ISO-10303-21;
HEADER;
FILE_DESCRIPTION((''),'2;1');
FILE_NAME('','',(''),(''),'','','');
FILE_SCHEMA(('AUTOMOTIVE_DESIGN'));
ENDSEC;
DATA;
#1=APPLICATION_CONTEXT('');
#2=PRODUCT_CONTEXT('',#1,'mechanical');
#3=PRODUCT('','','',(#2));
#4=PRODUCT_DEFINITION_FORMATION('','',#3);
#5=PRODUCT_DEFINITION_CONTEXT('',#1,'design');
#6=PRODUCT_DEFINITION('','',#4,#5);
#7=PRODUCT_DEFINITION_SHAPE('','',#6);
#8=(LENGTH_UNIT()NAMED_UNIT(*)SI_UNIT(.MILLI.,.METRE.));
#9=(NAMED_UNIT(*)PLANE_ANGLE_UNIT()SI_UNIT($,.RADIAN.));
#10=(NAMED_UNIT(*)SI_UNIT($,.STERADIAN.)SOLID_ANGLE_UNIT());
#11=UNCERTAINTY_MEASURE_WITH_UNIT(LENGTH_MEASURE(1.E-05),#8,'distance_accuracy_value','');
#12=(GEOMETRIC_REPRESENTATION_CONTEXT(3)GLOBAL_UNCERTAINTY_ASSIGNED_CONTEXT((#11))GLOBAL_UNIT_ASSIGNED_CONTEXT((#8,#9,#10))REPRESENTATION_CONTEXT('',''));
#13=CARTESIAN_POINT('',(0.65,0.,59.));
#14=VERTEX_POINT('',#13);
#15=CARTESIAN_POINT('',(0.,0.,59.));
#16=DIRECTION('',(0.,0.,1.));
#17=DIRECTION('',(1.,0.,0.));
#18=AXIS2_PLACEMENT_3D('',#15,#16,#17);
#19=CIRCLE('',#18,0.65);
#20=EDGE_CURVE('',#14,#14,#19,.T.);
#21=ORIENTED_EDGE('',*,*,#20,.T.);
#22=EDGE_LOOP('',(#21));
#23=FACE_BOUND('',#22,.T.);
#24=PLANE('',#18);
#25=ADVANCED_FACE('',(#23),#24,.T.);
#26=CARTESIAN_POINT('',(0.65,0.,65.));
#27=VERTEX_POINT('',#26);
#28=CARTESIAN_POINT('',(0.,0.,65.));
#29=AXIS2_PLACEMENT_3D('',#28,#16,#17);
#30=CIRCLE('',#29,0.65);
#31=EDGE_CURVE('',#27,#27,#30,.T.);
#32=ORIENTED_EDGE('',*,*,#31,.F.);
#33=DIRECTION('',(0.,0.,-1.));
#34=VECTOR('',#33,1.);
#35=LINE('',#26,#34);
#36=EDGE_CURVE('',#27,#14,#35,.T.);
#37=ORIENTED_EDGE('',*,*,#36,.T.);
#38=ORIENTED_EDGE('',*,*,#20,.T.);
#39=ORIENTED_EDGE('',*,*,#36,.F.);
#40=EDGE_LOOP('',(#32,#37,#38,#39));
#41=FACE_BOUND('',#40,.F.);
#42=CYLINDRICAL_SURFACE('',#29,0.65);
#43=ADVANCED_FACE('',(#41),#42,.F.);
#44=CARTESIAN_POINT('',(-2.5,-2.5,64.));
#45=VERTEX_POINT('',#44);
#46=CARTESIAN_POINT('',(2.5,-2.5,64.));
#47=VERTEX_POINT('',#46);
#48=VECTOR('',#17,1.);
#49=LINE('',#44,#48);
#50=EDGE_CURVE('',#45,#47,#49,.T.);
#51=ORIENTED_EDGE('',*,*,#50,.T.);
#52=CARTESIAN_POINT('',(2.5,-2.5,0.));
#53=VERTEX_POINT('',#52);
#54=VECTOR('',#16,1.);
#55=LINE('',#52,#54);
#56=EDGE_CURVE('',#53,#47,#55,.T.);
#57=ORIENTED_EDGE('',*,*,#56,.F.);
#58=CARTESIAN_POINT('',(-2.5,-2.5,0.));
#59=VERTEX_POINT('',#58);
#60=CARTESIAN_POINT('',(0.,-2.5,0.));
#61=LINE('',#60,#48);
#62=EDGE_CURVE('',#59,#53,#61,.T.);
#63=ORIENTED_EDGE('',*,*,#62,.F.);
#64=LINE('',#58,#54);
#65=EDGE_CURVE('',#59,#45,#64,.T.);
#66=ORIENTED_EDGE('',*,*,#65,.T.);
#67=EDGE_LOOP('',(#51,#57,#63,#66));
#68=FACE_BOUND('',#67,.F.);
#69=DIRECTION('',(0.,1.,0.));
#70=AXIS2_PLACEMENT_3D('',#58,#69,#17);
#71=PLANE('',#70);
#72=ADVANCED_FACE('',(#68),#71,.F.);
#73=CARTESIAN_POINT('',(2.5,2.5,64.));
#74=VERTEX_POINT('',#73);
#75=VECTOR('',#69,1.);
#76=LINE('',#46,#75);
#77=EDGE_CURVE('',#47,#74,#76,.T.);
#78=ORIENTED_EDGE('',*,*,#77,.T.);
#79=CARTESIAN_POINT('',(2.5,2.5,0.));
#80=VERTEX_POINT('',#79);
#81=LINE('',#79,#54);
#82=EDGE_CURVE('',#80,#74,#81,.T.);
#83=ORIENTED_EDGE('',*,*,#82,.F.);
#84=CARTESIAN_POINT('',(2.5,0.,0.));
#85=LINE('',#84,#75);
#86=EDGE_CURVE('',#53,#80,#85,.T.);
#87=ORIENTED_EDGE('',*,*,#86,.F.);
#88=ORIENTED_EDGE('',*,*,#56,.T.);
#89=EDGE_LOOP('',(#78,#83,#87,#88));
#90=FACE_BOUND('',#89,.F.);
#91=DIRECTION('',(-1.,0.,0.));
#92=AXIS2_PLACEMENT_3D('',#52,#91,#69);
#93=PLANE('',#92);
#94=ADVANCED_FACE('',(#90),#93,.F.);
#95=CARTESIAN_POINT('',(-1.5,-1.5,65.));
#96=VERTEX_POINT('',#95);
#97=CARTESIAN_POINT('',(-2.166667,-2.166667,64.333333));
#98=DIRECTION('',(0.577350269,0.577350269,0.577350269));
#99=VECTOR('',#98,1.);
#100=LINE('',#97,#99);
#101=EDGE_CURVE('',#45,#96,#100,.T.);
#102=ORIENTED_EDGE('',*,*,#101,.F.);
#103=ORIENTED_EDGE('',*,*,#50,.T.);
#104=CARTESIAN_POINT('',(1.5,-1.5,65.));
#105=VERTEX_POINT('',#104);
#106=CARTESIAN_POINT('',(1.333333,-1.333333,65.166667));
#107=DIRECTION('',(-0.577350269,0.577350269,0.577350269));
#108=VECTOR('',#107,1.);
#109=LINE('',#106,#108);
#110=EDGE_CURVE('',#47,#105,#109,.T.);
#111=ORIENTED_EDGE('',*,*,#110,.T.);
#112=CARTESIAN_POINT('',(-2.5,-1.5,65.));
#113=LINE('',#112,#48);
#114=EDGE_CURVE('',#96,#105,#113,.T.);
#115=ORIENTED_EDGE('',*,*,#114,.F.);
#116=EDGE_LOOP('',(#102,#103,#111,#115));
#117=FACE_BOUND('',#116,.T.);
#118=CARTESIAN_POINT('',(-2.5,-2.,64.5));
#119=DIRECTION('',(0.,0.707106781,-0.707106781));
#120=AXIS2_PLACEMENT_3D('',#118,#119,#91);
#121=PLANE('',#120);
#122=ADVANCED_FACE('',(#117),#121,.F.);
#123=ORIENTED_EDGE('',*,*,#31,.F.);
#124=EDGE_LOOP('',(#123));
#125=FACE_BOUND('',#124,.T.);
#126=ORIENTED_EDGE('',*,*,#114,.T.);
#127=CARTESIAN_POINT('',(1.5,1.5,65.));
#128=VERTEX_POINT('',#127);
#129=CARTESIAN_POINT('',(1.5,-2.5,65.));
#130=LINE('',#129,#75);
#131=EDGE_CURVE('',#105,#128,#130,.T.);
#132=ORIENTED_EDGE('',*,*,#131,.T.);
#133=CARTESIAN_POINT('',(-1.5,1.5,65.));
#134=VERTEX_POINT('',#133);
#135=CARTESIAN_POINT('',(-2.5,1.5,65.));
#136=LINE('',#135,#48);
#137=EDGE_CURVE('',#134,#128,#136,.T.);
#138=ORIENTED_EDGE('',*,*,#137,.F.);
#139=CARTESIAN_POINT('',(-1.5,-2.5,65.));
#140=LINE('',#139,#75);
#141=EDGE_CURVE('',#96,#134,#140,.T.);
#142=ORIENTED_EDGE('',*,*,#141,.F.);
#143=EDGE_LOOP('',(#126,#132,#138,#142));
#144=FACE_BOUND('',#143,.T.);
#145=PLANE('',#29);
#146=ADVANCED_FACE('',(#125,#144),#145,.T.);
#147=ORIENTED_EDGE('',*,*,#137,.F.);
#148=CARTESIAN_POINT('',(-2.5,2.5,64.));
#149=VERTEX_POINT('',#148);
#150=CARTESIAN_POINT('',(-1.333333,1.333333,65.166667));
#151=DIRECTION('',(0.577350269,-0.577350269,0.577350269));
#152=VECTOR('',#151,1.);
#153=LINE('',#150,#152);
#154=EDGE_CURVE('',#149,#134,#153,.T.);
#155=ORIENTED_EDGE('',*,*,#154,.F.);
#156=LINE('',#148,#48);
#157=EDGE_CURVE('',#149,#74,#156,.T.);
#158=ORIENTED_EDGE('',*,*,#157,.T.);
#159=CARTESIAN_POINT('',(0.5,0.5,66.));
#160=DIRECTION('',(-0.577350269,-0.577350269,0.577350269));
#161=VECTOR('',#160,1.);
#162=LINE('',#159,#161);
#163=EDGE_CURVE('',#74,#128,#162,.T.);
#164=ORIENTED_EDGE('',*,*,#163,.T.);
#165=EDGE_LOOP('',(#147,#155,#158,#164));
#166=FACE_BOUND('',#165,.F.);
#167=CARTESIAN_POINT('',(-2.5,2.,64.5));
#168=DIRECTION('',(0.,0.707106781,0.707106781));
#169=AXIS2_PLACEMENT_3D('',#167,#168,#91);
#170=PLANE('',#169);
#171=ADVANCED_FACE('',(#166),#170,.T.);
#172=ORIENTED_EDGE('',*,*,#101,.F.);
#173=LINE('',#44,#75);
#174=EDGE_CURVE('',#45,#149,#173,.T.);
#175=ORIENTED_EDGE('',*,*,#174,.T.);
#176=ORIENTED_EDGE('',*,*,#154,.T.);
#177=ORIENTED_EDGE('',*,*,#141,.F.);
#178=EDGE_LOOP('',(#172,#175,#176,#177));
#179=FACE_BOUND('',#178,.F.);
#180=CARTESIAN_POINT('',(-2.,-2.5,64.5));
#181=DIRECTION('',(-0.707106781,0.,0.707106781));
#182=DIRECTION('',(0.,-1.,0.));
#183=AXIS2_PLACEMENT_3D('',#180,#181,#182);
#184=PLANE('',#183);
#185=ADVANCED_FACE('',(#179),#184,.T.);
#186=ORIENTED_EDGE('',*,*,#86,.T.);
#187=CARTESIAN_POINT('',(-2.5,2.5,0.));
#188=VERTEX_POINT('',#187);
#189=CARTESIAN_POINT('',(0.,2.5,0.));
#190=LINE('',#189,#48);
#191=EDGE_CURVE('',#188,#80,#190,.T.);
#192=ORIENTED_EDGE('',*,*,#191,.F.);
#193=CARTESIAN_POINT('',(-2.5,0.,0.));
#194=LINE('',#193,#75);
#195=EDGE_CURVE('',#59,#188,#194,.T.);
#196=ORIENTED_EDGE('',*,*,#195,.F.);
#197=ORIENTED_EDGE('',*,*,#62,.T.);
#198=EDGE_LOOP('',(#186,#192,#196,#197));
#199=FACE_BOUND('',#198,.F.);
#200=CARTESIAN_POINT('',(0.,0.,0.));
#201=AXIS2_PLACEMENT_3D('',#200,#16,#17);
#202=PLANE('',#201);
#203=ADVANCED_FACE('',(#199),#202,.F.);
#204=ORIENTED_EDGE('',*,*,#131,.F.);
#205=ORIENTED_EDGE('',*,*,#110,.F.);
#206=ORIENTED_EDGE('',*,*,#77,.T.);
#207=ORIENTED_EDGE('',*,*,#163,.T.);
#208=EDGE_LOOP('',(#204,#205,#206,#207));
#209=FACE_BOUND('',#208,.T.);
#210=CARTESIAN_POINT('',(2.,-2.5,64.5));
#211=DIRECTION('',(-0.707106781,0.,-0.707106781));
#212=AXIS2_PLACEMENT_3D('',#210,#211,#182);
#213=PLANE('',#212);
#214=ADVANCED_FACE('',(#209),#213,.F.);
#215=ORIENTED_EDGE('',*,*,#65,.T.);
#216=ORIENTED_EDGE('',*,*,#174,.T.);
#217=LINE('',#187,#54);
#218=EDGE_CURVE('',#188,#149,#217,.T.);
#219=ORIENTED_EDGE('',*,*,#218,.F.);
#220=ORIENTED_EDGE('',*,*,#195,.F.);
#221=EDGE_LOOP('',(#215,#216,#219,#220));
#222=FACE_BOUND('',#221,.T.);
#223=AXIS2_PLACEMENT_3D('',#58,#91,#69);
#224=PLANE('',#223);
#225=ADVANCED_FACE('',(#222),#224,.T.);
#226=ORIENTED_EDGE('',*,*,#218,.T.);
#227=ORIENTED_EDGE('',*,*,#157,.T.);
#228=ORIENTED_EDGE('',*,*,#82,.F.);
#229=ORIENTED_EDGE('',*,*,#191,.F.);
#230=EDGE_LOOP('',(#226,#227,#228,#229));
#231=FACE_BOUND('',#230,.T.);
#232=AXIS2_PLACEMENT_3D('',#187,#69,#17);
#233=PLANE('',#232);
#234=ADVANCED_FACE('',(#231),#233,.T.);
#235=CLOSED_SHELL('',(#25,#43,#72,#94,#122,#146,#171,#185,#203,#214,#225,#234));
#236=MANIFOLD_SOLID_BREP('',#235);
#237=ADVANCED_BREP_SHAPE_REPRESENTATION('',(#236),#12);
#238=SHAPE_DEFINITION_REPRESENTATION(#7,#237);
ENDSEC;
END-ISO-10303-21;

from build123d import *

# Parameters (mm, degrees)
F0_W     = 5
F0_H     = 5
F1_DEPTH = 65
F2_SIZE  = 1
F3_R     = 0.65
F4_DEPTH = 6


with BuildPart() as f1:
    # F0 (on Top) → F1 (new body)
    with BuildSketch(Plane.XY):
        Rectangle(F0_W, F0_H)
    extrude(amount=F1_DEPTH)

    # F2
    f2_edges = [f1.edges().sort_by_distance(p)[0] for p in [
        (0, -2.5, 65),
        (2.5, 0, 65),
        (0, 2.5, 65),
        (-2.5, 0, 65),
    ]]
    chamfer(f2_edges, length=F2_SIZE)

    # F3 (on face) → F4 (cut)
    with BuildSketch(Plane.XY.offset(65)):
        Circle(F3_R)
    extrude(amount=-F4_DEPTH, mode=Mode.SUBTRACT)


solid = f1.part
